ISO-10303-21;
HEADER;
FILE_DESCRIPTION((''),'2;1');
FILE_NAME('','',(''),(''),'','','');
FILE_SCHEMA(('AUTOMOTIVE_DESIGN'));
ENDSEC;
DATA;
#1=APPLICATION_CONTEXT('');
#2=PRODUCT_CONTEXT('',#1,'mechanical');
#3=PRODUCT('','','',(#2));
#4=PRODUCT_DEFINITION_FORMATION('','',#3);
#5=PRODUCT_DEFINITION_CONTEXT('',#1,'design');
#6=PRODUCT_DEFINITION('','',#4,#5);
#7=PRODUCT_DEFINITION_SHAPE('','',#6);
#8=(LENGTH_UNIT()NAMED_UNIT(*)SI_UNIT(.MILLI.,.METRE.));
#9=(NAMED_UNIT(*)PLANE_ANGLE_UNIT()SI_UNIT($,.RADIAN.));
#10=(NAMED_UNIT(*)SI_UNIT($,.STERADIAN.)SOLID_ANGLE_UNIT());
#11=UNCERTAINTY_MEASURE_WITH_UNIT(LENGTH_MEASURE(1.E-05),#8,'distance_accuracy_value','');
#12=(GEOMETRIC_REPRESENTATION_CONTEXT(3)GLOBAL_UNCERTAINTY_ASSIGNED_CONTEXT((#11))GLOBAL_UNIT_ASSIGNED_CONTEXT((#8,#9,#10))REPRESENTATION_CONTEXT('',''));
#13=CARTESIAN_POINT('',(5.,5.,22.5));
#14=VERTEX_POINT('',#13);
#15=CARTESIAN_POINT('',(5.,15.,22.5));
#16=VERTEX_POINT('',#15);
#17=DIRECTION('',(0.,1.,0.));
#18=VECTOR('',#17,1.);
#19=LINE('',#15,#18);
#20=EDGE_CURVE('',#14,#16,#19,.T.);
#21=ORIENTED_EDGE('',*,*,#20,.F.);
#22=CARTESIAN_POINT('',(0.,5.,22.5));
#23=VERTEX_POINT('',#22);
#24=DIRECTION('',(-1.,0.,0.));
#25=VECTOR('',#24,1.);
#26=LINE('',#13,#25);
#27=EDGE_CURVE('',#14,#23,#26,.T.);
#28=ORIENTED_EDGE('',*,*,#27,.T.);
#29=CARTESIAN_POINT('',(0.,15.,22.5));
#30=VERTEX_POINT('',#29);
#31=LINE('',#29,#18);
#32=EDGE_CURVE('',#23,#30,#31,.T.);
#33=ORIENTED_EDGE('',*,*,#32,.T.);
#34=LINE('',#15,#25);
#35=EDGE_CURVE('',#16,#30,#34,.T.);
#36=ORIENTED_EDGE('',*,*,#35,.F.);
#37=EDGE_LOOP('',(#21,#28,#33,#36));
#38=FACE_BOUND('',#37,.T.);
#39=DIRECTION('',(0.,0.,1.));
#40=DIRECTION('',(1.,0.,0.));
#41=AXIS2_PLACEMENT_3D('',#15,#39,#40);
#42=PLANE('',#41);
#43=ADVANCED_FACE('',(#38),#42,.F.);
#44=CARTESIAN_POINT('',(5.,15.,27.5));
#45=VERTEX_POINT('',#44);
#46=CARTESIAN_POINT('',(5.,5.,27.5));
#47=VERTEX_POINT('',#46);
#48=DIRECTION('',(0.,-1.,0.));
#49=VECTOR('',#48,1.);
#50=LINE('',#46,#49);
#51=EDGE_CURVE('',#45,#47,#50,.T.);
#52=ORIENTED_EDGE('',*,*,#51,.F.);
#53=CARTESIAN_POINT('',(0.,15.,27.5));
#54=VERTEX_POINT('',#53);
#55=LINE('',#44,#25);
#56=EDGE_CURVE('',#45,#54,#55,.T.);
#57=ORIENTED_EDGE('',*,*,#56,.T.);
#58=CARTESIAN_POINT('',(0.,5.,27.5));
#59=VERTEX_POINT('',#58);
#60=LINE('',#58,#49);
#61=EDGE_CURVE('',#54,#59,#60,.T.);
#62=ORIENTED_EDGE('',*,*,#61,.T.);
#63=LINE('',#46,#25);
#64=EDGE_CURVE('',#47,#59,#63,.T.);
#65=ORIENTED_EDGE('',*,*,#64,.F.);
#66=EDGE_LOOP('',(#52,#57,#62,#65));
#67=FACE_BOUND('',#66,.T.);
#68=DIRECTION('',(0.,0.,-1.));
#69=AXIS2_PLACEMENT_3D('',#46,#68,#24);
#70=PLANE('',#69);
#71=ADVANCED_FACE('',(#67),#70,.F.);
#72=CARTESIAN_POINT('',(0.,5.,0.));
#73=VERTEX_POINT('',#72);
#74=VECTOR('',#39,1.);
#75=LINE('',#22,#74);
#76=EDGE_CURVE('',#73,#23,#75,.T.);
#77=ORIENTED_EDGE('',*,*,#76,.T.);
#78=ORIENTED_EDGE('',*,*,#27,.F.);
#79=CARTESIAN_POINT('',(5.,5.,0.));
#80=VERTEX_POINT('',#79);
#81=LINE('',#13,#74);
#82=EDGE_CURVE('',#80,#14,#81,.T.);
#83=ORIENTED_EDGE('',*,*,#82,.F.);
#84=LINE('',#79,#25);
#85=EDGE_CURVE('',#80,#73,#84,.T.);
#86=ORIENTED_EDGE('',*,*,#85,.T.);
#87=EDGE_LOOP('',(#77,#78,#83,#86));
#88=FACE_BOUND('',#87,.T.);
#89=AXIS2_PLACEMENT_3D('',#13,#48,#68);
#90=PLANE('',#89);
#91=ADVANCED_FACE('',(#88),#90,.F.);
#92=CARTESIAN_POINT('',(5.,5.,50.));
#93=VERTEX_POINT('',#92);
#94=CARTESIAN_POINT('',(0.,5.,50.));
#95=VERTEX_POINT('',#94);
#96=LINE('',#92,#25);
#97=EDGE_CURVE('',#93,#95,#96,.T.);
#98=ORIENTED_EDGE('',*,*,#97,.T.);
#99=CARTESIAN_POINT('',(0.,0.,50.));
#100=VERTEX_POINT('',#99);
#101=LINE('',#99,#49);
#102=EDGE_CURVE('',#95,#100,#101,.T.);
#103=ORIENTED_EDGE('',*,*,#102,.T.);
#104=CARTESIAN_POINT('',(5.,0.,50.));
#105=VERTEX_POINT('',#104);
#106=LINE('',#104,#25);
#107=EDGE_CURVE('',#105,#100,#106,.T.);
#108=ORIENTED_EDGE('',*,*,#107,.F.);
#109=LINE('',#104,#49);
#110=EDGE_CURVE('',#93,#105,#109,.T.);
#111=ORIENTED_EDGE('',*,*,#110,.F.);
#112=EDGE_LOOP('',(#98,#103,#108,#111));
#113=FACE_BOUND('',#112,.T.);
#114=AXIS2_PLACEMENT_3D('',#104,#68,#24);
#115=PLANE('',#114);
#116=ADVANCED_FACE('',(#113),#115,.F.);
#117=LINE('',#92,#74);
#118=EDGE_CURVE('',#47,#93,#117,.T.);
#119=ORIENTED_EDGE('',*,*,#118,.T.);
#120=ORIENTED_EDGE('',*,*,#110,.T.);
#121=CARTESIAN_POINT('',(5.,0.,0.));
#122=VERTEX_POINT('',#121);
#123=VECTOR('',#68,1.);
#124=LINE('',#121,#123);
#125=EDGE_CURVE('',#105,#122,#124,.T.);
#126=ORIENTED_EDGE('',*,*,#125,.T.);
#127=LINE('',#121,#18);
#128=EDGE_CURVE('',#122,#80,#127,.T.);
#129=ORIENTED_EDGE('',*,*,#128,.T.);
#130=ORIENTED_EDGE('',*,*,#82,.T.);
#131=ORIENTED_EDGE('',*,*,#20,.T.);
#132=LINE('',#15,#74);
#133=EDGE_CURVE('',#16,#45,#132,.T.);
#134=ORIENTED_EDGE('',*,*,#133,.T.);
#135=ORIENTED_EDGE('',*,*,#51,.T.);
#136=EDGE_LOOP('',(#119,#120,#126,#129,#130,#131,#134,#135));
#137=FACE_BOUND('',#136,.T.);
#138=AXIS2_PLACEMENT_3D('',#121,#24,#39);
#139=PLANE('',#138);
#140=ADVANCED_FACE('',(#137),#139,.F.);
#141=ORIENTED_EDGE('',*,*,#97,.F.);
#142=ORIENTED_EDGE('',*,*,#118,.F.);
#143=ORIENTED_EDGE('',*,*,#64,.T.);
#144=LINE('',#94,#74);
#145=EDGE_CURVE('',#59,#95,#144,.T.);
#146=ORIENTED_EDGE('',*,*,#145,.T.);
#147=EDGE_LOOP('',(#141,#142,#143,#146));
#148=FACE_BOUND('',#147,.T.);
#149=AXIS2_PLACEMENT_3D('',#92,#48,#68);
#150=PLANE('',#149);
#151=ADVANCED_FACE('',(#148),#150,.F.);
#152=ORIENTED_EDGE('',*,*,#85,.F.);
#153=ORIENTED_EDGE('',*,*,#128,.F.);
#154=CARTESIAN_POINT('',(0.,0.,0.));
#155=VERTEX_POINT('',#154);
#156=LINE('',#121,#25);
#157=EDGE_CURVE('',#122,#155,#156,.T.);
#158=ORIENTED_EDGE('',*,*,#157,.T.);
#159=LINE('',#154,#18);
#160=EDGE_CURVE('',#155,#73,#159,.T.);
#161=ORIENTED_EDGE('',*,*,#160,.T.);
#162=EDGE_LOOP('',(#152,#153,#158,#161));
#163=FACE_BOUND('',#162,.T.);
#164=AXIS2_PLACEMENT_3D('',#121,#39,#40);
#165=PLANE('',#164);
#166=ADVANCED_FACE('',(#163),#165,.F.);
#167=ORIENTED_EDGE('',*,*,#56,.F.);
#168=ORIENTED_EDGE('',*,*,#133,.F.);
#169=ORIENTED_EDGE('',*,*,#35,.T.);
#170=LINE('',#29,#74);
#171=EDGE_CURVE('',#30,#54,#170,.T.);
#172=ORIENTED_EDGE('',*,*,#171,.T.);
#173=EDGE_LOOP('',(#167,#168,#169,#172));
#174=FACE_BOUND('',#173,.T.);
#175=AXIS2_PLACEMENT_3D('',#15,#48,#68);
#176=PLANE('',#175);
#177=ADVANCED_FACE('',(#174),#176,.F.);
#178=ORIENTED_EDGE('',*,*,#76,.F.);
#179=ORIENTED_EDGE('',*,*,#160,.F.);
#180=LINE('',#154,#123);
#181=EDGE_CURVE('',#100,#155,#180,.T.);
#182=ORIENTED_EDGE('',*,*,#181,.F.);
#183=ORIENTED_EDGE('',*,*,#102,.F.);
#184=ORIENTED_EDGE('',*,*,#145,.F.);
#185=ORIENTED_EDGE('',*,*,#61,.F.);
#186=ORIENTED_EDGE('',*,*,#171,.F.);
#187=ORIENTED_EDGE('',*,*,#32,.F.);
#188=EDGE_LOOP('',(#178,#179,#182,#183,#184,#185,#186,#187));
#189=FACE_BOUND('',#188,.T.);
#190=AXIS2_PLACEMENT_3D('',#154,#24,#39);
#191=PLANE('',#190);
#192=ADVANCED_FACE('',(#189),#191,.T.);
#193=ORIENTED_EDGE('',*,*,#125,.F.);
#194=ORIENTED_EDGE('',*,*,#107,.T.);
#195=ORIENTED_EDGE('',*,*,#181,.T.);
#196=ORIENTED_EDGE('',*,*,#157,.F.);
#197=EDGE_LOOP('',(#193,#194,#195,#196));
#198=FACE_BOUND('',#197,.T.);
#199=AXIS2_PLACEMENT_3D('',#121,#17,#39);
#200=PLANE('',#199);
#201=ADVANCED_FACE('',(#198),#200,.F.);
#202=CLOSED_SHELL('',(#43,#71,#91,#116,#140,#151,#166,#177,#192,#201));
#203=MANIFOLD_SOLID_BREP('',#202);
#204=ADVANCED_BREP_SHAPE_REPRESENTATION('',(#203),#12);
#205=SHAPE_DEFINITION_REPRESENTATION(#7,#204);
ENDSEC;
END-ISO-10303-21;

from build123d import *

# Parameters (mm, degrees)
BOSS_EXTRUDE4_DEPTH = 5


with BuildPart() as part:
    # Sketch1 → Boss-Extrude4 (new body)
    with BuildSketch(Plane(origin=(0, 0, 0), x_dir=(0, 0, -1), z_dir=(1, 0, 0))):
        Polygon((-50, 5), (-27.5, 5), (-27.5, 15), (-22.5, 15), (-22.5, 5), (0, 5), (0, 0), (-50, 0), align=None)
    extrude(amount=BOSS_EXTRUDE4_DEPTH)


solid = part.part
